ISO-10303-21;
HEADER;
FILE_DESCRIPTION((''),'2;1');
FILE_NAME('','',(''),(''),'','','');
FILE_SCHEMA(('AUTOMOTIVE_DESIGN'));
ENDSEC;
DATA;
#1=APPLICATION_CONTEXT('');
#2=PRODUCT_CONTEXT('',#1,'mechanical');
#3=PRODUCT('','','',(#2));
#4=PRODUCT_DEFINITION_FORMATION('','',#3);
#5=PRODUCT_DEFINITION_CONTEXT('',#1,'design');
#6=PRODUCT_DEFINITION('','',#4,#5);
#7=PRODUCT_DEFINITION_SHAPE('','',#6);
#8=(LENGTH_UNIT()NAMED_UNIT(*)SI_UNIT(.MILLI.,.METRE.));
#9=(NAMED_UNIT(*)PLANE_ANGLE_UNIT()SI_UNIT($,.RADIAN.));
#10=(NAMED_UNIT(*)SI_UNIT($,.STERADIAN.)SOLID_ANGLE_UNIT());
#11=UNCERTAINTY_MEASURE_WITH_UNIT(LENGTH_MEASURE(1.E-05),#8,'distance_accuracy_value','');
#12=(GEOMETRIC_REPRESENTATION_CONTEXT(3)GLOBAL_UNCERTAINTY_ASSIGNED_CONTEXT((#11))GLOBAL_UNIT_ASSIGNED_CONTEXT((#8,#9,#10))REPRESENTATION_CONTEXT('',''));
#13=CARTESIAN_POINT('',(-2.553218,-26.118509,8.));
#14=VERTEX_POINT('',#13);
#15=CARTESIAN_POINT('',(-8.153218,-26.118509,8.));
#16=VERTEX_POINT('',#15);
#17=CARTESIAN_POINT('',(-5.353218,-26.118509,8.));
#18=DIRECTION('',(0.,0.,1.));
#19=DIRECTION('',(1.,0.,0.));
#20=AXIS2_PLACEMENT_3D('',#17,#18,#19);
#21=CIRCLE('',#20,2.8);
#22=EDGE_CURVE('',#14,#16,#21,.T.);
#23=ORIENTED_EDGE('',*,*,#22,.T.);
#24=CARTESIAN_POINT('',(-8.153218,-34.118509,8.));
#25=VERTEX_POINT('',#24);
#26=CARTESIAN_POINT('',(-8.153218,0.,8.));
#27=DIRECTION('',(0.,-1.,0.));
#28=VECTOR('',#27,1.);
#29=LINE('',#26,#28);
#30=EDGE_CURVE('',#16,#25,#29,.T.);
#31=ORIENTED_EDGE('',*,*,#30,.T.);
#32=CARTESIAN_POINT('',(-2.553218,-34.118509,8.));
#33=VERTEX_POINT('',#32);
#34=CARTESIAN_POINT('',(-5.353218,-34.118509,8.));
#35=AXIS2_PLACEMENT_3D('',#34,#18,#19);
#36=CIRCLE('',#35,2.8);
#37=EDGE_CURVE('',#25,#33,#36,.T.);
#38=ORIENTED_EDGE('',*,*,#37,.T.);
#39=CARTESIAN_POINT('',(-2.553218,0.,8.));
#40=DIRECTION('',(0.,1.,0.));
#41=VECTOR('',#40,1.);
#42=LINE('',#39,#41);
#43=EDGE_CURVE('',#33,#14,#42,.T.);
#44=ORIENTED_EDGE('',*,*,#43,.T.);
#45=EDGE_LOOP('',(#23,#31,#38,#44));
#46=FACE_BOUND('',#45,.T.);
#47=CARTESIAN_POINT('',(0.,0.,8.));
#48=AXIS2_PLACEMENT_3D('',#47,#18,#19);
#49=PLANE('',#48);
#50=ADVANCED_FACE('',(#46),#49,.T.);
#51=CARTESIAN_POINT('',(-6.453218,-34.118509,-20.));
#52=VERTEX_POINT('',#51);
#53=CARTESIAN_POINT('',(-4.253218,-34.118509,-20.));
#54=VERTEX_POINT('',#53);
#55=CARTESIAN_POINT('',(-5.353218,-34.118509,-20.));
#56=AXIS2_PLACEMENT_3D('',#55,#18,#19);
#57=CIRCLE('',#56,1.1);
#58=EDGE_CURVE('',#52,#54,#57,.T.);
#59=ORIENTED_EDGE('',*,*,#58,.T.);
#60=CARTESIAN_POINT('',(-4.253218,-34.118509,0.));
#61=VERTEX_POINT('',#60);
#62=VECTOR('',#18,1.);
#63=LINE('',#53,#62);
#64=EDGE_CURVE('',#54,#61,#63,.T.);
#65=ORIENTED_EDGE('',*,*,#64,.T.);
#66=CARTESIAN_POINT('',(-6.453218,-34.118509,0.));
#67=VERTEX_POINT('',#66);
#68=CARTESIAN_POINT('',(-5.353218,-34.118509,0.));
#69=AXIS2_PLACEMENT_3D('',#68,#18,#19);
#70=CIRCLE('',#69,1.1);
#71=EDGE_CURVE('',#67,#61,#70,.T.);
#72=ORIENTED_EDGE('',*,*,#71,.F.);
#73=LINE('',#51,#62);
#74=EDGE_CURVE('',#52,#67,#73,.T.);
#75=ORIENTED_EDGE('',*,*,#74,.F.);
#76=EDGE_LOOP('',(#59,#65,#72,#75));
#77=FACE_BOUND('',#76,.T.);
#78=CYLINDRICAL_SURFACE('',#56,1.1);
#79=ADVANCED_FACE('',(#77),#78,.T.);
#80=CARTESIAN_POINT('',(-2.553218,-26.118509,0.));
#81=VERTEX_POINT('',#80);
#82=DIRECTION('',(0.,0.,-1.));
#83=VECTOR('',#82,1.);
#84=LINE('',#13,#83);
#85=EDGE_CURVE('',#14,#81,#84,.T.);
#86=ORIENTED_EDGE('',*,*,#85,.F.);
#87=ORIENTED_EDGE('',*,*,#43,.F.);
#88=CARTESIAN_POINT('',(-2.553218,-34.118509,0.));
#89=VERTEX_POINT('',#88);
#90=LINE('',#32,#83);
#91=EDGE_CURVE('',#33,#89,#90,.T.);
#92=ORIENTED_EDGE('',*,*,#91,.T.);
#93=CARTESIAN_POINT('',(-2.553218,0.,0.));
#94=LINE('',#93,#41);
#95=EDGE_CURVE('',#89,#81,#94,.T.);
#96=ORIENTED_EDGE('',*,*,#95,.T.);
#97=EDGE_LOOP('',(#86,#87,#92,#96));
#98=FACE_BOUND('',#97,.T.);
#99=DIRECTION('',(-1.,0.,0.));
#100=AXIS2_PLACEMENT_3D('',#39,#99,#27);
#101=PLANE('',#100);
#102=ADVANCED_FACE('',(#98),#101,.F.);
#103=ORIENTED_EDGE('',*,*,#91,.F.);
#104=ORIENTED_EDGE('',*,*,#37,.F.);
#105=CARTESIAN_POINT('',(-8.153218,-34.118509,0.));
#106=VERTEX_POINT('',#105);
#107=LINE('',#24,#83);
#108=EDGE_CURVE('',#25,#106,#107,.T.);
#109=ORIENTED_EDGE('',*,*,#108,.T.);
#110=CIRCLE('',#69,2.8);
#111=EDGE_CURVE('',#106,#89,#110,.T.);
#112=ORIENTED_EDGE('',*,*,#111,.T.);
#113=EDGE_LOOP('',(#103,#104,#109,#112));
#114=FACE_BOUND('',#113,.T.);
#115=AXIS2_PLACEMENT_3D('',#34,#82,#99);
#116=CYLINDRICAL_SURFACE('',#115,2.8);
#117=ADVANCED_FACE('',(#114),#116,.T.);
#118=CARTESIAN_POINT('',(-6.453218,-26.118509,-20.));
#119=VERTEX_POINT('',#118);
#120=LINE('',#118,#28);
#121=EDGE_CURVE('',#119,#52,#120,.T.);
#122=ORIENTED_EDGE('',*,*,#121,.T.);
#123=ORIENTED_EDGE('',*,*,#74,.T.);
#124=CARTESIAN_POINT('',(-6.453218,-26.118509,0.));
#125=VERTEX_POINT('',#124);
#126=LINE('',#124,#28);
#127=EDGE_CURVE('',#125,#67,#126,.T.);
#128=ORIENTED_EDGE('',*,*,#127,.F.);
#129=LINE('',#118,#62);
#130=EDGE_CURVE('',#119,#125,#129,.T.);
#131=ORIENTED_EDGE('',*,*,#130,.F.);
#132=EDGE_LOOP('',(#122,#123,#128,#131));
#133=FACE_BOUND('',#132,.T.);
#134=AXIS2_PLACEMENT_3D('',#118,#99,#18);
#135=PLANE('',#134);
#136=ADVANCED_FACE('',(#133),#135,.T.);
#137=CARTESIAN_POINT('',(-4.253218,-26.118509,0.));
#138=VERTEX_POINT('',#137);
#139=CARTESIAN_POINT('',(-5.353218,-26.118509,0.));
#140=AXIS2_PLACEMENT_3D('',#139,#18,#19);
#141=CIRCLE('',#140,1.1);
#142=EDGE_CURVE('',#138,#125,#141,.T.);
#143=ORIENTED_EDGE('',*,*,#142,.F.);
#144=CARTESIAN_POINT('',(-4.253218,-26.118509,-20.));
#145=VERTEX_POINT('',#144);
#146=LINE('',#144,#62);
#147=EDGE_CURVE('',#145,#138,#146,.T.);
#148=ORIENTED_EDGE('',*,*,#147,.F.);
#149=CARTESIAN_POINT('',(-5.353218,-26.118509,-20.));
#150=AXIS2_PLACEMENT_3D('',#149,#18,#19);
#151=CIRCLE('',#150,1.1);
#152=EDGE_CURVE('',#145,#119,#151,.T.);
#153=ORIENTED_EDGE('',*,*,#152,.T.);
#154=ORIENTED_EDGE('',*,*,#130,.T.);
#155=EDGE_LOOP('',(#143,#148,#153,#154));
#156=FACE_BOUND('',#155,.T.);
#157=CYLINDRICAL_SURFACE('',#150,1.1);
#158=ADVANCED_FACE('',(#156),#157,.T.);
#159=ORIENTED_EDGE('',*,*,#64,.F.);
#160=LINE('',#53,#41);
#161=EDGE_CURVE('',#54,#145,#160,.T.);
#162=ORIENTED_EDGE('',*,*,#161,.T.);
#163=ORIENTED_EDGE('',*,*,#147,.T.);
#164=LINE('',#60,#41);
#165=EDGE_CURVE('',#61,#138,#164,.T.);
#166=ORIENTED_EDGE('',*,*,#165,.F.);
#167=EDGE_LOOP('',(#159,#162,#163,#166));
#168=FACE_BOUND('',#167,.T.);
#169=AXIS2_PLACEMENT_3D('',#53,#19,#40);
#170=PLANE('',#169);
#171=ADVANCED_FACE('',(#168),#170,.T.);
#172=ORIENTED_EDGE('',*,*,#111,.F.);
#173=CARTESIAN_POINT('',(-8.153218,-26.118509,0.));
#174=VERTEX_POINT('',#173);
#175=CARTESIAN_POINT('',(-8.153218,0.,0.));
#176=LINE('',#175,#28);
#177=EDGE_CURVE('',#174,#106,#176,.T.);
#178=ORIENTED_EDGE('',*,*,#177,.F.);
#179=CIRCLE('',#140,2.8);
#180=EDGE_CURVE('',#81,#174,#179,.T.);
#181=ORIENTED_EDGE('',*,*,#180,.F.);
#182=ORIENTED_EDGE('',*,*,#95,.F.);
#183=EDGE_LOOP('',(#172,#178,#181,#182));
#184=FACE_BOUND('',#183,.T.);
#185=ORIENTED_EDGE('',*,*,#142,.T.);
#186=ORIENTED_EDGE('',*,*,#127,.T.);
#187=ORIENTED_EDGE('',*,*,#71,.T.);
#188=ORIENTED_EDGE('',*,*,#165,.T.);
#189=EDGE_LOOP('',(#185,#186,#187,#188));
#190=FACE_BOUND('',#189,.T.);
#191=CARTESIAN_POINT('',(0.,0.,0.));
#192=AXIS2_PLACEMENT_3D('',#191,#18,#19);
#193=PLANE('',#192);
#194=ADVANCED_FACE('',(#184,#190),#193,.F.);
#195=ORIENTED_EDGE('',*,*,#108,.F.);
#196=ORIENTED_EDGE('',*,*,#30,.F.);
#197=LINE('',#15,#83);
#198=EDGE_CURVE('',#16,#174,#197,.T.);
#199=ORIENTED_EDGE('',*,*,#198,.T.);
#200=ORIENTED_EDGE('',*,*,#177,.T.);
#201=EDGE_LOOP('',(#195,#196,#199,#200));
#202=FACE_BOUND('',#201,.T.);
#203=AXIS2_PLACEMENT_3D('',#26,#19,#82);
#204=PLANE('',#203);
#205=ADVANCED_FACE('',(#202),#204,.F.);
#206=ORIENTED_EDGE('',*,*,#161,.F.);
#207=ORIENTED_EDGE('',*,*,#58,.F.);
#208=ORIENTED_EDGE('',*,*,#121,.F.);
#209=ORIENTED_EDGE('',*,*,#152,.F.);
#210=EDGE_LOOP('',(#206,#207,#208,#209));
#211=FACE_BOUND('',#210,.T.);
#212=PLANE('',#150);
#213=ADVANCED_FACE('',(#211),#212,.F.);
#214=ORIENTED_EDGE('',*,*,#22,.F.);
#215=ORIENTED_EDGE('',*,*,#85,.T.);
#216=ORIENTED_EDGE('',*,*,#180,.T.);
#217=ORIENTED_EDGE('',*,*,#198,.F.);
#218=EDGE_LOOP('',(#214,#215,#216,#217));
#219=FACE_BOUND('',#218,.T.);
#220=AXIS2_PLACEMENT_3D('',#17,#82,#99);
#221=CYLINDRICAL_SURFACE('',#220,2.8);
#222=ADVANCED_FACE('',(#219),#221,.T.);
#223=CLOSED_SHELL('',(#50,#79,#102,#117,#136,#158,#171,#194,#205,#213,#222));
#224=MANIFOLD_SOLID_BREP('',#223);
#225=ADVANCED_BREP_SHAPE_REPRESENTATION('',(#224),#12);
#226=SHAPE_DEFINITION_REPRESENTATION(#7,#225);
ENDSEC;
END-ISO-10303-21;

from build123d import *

# Parameters (mm, degrees)
EXTRUDE_1_DEPTH = 20
EXTRUDE_2_DEPTH = 8


with BuildPart() as part:
    # 草图1 → 凸台-拉伸1 (new body)
    with BuildSketch(Plane.XY):
        with BuildLine():
            Line((-6.453218026, -26.118509408), (-6.453218026, -34.118509408))
            ThreePointArc((-6.453218026, -34.118509408), (-5.353218026, -35.218509408), (-4.253218026, -34.118509408))
            Line((-4.253218026, -34.118509408), (-4.253218026, -26.118509408))
            ThreePointArc((-4.253218026, -26.118509408), (-5.353218026, -25.018509408), (-6.453218026, -26.118509408))
        make_face()
    extrude(amount=-EXTRUDE_1_DEPTH)

    # 草图2 → 凸台-拉伸2 (add)
    with BuildSketch(Plane.XY):
        with BuildLine():
            Line((-2.553218026, -34.118509408), (-2.553218026, -26.118509408))
            ThreePointArc((-2.553218026, -26.118509408), (-5.353218026, -23.318509408), (-8.153218026, -26.118509408))
            Line((-8.153218026, -26.118509408), (-8.153218026, -34.118509408))
            ThreePointArc((-8.153218026, -34.118509408), (-5.353218026, -36.918509408), (-2.553218026, -34.118509408))
        make_face()
    extrude(amount=EXTRUDE_2_DEPTH)


solid = part.part
